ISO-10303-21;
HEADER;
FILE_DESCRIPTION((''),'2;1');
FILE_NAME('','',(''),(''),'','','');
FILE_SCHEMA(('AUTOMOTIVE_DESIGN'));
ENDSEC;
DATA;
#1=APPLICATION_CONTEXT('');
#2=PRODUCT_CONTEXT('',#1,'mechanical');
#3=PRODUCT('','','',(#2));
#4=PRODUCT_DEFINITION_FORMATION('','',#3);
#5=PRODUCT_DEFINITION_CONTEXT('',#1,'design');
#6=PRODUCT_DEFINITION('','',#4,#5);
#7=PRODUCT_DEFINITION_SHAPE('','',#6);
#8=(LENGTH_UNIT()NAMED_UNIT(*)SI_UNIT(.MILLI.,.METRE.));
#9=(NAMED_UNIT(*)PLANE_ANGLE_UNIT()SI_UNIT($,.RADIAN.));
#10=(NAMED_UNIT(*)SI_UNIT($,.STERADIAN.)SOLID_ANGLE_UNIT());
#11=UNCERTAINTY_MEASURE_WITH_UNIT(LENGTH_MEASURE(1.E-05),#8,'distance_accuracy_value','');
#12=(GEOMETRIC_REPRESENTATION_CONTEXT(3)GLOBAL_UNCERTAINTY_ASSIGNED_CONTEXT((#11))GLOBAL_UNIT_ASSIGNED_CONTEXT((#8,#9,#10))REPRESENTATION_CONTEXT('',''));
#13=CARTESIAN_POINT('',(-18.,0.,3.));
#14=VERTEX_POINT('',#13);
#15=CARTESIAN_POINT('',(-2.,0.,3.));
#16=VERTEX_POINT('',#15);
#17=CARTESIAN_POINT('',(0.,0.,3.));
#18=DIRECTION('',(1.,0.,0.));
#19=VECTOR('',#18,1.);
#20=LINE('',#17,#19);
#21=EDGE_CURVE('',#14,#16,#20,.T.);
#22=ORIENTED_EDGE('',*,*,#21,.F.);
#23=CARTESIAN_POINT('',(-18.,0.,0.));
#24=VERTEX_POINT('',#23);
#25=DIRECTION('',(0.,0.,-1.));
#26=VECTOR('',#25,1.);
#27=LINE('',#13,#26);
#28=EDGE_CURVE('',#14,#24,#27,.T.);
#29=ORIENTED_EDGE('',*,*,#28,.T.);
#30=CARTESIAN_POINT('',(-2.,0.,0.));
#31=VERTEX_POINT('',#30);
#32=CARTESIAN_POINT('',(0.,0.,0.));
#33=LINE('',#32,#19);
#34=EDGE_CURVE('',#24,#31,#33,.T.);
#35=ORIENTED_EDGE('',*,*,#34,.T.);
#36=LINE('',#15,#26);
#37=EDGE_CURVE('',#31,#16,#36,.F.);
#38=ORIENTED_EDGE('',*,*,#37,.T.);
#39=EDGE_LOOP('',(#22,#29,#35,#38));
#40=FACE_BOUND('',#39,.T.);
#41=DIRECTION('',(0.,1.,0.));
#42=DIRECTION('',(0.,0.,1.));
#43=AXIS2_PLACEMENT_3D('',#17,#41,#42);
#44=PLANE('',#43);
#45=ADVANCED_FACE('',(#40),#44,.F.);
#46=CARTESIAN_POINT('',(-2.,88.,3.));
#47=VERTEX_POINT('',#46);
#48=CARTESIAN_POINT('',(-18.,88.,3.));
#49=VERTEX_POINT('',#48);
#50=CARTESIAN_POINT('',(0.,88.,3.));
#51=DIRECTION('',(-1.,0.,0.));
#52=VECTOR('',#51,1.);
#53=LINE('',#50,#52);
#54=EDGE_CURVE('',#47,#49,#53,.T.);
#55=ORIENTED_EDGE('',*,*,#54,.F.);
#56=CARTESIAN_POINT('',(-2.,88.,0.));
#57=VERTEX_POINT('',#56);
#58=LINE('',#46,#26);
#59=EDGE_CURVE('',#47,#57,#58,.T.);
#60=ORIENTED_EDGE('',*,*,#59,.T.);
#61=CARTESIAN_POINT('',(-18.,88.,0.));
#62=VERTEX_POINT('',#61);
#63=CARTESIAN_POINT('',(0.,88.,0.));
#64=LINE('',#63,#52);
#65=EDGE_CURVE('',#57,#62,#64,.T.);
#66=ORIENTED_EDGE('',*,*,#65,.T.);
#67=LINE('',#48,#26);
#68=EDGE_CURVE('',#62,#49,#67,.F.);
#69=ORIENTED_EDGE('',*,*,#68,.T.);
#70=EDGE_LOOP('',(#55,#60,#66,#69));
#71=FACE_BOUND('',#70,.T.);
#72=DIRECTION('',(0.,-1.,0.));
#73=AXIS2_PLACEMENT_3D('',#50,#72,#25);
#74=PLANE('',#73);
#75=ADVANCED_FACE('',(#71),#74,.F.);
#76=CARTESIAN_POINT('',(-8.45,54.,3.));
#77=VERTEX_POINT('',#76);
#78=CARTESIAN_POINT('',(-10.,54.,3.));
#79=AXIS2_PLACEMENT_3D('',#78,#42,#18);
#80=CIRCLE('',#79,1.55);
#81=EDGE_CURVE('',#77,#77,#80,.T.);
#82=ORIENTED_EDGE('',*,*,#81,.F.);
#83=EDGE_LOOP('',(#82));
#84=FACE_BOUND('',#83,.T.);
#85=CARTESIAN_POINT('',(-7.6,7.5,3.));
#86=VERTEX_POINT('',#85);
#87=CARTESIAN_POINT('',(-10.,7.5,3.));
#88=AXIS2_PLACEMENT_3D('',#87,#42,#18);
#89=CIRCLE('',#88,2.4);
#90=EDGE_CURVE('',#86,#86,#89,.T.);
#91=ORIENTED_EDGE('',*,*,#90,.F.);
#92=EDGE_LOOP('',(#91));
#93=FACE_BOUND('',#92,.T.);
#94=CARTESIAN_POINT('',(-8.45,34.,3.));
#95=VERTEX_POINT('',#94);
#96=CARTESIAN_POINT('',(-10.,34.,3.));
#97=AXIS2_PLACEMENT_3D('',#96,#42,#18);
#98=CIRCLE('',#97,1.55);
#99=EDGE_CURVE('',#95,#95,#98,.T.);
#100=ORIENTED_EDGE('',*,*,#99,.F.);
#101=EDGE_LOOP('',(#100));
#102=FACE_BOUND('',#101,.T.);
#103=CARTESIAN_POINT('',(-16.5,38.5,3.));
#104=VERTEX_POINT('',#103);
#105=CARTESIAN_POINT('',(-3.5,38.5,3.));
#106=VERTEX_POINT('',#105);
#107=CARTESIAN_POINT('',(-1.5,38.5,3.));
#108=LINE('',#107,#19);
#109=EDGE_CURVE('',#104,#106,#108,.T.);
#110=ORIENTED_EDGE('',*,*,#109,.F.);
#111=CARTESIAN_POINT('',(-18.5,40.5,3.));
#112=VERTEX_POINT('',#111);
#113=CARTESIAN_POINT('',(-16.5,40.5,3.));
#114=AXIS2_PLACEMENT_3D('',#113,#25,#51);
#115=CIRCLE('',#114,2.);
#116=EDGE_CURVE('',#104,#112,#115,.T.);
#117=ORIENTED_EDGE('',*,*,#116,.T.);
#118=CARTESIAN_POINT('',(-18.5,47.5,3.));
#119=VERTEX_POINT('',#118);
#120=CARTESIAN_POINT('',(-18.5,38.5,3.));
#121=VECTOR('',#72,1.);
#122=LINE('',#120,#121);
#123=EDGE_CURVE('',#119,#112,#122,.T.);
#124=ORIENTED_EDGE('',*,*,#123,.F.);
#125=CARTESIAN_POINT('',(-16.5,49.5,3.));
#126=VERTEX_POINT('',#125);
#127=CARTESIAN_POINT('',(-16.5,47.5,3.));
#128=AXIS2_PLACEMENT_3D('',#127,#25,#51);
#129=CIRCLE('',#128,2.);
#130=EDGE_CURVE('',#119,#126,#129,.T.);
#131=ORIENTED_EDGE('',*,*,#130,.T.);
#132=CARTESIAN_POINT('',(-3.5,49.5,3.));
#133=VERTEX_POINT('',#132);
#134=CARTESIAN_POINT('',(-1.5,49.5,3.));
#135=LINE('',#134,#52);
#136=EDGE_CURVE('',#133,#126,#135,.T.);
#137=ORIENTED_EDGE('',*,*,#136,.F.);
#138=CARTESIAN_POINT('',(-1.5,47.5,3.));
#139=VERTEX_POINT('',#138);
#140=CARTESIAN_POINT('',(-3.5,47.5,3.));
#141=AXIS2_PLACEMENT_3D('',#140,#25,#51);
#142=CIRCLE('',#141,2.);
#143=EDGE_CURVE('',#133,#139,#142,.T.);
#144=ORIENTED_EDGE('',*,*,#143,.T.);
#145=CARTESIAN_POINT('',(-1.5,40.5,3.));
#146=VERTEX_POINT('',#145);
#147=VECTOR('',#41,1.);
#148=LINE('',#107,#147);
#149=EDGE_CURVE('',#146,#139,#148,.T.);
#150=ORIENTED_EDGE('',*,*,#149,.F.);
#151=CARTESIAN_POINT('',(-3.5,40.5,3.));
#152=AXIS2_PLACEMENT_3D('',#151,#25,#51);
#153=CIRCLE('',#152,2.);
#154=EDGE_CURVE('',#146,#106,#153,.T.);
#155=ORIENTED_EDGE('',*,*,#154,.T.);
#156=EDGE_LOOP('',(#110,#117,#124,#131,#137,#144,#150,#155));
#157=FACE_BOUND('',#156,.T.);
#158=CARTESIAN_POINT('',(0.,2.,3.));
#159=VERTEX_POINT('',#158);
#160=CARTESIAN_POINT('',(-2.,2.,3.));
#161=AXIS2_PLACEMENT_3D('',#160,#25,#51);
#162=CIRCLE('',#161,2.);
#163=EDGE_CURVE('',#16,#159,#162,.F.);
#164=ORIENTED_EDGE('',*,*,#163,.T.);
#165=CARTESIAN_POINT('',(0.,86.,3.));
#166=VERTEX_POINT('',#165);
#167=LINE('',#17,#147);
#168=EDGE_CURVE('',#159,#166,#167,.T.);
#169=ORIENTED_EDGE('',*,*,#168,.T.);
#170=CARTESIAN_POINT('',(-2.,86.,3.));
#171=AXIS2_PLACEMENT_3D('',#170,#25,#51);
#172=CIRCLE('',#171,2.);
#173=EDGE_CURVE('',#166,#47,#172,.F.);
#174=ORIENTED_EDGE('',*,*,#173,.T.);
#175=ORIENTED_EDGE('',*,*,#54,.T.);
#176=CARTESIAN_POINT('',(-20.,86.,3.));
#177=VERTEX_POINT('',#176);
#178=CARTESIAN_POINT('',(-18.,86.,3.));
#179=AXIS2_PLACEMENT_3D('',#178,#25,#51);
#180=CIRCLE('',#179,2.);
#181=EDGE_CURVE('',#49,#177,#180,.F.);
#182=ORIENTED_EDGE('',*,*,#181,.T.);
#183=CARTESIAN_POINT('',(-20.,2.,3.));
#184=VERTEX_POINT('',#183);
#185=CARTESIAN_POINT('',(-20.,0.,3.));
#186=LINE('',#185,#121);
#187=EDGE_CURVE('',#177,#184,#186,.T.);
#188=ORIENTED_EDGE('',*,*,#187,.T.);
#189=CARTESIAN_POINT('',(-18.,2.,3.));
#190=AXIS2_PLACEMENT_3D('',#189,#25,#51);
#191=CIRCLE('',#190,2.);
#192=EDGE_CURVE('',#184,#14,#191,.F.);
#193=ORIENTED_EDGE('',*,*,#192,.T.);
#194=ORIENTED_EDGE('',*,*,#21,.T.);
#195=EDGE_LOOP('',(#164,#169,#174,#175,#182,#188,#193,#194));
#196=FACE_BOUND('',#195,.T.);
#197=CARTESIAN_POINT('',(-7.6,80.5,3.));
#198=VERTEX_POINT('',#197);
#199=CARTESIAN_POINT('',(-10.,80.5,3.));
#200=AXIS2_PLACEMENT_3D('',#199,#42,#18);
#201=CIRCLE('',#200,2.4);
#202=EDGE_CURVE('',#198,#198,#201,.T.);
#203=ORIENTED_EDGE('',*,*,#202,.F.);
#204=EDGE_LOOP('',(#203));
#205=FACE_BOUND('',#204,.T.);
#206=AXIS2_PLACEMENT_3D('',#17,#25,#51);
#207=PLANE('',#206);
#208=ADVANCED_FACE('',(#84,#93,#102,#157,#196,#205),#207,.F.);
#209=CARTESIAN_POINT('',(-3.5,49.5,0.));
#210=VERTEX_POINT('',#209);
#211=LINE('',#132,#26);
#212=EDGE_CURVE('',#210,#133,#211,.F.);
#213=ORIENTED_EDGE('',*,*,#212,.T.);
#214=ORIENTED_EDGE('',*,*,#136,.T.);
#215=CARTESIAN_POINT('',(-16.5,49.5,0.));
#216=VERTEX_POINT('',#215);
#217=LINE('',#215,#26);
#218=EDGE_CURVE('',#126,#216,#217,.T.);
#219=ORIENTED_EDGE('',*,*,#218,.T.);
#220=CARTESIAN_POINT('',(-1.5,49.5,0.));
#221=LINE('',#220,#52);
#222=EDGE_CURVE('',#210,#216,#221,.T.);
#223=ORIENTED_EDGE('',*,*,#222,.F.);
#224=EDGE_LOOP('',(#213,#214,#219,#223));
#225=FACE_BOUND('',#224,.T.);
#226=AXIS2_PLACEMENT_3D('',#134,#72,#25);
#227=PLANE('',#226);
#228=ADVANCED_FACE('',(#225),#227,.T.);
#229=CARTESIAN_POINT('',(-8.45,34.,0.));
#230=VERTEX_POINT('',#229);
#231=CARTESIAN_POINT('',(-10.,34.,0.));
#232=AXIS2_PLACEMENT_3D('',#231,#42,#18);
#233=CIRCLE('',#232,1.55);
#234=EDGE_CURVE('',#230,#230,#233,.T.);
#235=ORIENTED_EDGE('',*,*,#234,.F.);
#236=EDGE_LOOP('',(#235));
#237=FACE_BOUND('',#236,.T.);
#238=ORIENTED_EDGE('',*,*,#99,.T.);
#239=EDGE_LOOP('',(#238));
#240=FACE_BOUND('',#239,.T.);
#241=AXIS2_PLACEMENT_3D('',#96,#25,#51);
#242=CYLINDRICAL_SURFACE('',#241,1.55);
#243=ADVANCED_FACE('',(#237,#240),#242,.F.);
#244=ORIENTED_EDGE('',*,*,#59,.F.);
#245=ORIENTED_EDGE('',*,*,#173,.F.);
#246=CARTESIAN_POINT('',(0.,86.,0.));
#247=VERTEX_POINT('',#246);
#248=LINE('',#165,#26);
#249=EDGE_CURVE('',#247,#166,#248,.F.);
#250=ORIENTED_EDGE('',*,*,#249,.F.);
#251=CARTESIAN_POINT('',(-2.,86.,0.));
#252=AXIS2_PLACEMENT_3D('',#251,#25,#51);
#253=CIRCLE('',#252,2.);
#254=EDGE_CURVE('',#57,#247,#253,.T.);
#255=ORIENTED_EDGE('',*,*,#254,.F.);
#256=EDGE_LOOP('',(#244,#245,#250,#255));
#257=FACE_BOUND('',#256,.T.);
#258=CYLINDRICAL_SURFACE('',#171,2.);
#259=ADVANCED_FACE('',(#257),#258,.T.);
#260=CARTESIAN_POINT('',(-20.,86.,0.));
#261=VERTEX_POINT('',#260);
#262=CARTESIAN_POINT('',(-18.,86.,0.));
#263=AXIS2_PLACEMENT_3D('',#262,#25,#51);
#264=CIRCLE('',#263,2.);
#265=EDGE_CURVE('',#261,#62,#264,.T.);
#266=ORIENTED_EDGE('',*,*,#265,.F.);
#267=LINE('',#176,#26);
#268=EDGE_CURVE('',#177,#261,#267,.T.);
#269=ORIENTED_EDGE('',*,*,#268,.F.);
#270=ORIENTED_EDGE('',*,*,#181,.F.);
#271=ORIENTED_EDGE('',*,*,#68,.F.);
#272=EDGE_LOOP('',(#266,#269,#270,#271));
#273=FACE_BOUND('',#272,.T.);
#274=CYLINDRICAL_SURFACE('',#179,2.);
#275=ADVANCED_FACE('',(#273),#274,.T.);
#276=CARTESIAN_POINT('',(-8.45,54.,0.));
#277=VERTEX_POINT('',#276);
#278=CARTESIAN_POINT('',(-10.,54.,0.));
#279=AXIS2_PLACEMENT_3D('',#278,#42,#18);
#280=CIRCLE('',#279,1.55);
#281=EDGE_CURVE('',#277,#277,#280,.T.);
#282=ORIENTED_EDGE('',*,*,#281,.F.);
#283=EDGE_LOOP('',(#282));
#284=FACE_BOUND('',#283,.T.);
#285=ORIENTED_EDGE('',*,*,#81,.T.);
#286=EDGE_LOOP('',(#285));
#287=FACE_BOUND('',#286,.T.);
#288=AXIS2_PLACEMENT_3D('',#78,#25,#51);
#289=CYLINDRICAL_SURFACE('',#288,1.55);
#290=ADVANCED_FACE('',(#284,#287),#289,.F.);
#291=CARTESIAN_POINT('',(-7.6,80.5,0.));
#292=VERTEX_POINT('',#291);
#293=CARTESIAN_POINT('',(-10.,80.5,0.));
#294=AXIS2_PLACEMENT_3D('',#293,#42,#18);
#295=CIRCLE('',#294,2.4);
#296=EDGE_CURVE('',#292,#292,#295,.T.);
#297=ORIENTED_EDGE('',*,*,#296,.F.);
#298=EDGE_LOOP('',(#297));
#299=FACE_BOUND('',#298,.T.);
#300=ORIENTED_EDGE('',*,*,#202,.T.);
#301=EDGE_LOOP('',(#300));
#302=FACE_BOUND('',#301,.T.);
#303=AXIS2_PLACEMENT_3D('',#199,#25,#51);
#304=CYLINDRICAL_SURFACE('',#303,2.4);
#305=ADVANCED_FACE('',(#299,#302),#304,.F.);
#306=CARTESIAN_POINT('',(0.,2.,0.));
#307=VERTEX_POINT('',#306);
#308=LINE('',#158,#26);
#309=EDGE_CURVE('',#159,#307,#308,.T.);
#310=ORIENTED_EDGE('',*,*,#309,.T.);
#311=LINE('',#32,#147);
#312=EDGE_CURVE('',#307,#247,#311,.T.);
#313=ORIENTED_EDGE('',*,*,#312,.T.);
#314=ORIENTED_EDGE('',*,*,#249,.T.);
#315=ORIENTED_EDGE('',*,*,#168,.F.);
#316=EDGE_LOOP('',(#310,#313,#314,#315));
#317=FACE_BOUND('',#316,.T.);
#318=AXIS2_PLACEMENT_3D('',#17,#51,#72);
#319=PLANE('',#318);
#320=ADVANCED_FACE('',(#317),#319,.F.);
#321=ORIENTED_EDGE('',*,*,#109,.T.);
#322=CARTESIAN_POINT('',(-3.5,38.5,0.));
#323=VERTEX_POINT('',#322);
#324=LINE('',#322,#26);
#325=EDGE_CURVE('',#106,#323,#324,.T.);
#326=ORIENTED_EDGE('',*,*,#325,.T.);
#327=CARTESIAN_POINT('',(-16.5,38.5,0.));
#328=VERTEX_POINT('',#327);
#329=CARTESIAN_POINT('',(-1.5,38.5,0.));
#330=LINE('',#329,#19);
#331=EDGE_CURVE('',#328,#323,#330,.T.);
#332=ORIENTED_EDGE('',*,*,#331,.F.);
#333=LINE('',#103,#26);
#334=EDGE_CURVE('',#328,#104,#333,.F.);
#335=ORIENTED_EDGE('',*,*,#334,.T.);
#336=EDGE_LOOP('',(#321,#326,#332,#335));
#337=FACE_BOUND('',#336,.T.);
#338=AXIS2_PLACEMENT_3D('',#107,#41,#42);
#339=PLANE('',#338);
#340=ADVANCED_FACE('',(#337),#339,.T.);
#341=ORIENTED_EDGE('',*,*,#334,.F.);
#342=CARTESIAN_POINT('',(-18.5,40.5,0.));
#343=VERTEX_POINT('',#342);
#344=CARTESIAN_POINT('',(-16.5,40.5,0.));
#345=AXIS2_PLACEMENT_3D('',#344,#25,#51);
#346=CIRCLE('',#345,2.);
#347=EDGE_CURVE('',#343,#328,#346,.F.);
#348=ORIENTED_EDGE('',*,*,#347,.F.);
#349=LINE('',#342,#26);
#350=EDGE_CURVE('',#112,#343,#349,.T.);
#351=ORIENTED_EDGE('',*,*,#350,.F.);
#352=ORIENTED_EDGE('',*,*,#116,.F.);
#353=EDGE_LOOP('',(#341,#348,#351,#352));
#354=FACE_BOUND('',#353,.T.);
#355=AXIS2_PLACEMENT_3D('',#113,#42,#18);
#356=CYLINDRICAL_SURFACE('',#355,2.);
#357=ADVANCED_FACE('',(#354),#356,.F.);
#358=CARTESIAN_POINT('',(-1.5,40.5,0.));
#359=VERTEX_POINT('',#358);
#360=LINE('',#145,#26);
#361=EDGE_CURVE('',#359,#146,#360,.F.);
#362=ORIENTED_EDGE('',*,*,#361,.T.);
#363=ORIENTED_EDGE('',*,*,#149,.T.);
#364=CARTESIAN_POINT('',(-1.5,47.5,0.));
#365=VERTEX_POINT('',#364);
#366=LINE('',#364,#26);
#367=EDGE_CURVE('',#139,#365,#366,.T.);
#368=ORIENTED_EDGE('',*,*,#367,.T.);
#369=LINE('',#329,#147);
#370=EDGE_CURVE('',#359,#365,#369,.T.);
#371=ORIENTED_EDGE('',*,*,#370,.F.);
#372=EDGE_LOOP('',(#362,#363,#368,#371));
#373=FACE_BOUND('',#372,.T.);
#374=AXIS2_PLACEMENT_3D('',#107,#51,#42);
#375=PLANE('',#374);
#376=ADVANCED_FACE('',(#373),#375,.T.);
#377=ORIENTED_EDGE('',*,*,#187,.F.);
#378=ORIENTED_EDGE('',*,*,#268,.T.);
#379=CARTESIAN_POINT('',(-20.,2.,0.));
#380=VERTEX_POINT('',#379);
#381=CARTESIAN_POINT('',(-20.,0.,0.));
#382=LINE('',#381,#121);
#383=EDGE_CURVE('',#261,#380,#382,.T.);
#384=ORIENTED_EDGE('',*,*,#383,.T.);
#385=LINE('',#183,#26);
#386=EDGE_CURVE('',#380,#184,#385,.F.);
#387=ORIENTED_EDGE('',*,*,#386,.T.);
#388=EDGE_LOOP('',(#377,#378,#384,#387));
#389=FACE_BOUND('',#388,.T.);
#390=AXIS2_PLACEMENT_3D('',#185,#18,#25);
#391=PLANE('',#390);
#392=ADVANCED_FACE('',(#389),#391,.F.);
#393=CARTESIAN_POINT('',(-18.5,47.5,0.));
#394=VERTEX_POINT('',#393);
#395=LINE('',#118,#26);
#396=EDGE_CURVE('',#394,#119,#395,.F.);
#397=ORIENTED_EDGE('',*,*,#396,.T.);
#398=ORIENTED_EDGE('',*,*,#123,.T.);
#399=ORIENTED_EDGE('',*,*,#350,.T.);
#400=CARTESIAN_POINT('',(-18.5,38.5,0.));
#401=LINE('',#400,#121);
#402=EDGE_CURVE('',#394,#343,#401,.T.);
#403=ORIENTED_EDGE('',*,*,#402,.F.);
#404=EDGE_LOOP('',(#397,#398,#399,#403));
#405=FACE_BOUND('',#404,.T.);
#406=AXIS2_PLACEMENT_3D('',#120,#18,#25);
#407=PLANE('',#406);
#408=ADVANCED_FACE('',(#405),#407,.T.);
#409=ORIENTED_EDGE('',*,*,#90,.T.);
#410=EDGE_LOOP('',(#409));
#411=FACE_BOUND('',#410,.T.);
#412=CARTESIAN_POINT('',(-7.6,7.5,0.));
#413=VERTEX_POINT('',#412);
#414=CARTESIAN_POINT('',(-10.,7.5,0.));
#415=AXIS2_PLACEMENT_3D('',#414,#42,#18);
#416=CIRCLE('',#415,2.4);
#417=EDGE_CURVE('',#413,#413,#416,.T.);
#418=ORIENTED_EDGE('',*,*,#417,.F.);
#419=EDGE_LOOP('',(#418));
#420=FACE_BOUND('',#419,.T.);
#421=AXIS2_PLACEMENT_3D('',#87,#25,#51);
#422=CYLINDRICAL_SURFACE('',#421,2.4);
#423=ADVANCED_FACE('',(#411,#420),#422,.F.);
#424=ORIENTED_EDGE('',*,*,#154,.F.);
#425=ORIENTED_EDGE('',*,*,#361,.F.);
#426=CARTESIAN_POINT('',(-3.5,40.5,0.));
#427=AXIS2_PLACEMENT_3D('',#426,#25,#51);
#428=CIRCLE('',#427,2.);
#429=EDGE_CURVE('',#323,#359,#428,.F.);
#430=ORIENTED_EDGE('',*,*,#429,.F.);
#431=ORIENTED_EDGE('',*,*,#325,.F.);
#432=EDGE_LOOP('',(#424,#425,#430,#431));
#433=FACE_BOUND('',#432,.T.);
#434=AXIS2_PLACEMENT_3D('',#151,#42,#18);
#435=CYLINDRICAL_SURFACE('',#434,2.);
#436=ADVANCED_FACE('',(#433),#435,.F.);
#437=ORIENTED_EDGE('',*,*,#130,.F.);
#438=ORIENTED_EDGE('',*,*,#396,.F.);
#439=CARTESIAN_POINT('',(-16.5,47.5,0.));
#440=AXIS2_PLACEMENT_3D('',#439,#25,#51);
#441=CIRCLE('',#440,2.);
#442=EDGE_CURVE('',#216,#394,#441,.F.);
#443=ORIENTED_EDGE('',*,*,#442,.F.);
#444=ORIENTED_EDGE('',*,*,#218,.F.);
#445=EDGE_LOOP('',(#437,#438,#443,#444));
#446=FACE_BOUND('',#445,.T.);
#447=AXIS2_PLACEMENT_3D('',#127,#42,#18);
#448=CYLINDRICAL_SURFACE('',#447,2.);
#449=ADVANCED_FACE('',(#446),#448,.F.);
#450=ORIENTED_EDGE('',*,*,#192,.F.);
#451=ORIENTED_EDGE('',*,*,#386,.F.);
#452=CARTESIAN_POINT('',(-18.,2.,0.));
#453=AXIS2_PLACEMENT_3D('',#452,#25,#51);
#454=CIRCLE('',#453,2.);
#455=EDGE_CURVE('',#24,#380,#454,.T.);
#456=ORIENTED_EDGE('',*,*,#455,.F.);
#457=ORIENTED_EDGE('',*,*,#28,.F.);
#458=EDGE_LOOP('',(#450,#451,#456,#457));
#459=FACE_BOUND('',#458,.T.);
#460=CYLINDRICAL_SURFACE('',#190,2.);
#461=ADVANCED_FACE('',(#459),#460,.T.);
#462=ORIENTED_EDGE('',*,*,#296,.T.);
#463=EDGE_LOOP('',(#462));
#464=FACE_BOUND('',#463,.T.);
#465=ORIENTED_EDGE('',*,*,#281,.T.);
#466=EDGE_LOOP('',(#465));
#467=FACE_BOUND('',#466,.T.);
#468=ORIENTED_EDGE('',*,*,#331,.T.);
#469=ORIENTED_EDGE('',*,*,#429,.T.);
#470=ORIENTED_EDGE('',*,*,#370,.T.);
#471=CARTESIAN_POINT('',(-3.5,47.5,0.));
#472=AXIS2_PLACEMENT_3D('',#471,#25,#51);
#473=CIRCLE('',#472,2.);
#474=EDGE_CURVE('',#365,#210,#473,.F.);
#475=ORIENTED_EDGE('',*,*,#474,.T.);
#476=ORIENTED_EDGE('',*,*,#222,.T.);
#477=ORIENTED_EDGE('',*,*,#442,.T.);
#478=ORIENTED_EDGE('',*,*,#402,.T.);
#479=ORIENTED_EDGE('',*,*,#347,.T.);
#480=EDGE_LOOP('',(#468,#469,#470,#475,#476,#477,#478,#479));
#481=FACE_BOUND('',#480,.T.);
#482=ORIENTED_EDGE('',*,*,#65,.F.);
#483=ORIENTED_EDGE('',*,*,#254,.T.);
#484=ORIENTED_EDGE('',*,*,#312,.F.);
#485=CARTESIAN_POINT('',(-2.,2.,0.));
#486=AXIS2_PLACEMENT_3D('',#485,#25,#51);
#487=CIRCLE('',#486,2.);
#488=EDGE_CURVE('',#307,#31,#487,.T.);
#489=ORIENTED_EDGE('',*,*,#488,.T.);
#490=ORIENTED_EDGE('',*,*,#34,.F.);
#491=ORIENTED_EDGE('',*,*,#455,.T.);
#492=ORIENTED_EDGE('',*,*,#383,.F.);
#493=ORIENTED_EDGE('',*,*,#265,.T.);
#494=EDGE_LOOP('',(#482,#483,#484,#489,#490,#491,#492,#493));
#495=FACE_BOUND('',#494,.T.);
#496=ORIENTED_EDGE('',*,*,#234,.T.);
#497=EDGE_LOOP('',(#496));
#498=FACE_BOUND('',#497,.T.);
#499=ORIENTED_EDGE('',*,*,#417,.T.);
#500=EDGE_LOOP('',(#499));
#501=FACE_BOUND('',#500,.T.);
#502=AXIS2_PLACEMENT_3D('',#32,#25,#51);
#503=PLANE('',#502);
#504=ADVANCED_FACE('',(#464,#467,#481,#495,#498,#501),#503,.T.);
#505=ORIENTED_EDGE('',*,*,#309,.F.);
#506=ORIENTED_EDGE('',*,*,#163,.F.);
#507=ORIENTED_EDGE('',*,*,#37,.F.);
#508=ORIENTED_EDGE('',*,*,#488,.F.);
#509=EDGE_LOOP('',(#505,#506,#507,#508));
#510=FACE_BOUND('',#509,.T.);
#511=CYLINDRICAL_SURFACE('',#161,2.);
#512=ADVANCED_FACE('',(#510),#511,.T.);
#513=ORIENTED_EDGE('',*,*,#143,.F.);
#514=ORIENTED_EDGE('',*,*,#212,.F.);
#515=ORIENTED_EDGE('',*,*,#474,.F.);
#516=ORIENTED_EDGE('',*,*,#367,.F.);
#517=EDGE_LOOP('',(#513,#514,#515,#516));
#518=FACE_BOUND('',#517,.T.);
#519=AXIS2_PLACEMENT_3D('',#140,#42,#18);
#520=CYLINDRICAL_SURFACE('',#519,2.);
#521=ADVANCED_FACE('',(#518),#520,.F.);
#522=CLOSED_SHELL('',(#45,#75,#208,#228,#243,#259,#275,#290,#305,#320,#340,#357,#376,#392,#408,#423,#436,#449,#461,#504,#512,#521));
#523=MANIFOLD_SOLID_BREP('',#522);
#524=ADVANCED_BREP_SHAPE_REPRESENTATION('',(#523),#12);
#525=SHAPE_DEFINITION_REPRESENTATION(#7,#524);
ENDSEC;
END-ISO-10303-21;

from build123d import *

# Parameters (mm, degrees)
SKETCH_1_W      = 88
SKETCH_1_H      = 20
SKETCH_1_R      = 2.4
SKETCH_1_R_2    = 1.55
SKETCH_1_W_2    = 11
SKETCH_1_H_2    = 17
EXTRUDE_1_DEPTH = 3
FILLET_1_R      = 2


with BuildPart() as part:
    # ｽｹｯﾁ1 → ﾎﾞｽ - 押し出し1 (new body)
    with BuildSketch(Plane(origin=(0, 0, 0), x_dir=(0, 1, 0), z_dir=(0, 0, 1))):
        with Locations((44, 10)):
            Rectangle(SKETCH_1_W, SKETCH_1_H)
        with Locations((7.5, 10)):
            Circle(SKETCH_1_R, mode=Mode.SUBTRACT)
        with Locations((80.5, 10)):
            Circle(SKETCH_1_R, mode=Mode.SUBTRACT)
        with Locations((54, 10)):
            Circle(SKETCH_1_R_2, mode=Mode.SUBTRACT)
        with Locations((34, 10)):
            Circle(SKETCH_1_R_2, mode=Mode.SUBTRACT)
        with Locations((44, 10)):
            Rectangle(SKETCH_1_W_2, SKETCH_1_H_2, mode=Mode.SUBTRACT)
    extrude(amount=EXTRUDE_1_DEPTH)

    # ﾌｨﾚｯﾄ1
    fillet_1_edges = [part.edges().sort_by_distance(p)[0] for p in [
        (-1.5, 49.5, 1.5),
        (-18.5, 49.5, 1.5),
        (-18.5, 38.5, 1.5),
        (-1.5, 38.5, 1.5),
        (-20, 0, 1.5),
        (-20, 88, 1.5),
        (0, 88, 1.5),
        (0, 0, 1.5),
    ]]
    fillet(fillet_1_edges, radius=FILLET_1_R)


solid = part.part
